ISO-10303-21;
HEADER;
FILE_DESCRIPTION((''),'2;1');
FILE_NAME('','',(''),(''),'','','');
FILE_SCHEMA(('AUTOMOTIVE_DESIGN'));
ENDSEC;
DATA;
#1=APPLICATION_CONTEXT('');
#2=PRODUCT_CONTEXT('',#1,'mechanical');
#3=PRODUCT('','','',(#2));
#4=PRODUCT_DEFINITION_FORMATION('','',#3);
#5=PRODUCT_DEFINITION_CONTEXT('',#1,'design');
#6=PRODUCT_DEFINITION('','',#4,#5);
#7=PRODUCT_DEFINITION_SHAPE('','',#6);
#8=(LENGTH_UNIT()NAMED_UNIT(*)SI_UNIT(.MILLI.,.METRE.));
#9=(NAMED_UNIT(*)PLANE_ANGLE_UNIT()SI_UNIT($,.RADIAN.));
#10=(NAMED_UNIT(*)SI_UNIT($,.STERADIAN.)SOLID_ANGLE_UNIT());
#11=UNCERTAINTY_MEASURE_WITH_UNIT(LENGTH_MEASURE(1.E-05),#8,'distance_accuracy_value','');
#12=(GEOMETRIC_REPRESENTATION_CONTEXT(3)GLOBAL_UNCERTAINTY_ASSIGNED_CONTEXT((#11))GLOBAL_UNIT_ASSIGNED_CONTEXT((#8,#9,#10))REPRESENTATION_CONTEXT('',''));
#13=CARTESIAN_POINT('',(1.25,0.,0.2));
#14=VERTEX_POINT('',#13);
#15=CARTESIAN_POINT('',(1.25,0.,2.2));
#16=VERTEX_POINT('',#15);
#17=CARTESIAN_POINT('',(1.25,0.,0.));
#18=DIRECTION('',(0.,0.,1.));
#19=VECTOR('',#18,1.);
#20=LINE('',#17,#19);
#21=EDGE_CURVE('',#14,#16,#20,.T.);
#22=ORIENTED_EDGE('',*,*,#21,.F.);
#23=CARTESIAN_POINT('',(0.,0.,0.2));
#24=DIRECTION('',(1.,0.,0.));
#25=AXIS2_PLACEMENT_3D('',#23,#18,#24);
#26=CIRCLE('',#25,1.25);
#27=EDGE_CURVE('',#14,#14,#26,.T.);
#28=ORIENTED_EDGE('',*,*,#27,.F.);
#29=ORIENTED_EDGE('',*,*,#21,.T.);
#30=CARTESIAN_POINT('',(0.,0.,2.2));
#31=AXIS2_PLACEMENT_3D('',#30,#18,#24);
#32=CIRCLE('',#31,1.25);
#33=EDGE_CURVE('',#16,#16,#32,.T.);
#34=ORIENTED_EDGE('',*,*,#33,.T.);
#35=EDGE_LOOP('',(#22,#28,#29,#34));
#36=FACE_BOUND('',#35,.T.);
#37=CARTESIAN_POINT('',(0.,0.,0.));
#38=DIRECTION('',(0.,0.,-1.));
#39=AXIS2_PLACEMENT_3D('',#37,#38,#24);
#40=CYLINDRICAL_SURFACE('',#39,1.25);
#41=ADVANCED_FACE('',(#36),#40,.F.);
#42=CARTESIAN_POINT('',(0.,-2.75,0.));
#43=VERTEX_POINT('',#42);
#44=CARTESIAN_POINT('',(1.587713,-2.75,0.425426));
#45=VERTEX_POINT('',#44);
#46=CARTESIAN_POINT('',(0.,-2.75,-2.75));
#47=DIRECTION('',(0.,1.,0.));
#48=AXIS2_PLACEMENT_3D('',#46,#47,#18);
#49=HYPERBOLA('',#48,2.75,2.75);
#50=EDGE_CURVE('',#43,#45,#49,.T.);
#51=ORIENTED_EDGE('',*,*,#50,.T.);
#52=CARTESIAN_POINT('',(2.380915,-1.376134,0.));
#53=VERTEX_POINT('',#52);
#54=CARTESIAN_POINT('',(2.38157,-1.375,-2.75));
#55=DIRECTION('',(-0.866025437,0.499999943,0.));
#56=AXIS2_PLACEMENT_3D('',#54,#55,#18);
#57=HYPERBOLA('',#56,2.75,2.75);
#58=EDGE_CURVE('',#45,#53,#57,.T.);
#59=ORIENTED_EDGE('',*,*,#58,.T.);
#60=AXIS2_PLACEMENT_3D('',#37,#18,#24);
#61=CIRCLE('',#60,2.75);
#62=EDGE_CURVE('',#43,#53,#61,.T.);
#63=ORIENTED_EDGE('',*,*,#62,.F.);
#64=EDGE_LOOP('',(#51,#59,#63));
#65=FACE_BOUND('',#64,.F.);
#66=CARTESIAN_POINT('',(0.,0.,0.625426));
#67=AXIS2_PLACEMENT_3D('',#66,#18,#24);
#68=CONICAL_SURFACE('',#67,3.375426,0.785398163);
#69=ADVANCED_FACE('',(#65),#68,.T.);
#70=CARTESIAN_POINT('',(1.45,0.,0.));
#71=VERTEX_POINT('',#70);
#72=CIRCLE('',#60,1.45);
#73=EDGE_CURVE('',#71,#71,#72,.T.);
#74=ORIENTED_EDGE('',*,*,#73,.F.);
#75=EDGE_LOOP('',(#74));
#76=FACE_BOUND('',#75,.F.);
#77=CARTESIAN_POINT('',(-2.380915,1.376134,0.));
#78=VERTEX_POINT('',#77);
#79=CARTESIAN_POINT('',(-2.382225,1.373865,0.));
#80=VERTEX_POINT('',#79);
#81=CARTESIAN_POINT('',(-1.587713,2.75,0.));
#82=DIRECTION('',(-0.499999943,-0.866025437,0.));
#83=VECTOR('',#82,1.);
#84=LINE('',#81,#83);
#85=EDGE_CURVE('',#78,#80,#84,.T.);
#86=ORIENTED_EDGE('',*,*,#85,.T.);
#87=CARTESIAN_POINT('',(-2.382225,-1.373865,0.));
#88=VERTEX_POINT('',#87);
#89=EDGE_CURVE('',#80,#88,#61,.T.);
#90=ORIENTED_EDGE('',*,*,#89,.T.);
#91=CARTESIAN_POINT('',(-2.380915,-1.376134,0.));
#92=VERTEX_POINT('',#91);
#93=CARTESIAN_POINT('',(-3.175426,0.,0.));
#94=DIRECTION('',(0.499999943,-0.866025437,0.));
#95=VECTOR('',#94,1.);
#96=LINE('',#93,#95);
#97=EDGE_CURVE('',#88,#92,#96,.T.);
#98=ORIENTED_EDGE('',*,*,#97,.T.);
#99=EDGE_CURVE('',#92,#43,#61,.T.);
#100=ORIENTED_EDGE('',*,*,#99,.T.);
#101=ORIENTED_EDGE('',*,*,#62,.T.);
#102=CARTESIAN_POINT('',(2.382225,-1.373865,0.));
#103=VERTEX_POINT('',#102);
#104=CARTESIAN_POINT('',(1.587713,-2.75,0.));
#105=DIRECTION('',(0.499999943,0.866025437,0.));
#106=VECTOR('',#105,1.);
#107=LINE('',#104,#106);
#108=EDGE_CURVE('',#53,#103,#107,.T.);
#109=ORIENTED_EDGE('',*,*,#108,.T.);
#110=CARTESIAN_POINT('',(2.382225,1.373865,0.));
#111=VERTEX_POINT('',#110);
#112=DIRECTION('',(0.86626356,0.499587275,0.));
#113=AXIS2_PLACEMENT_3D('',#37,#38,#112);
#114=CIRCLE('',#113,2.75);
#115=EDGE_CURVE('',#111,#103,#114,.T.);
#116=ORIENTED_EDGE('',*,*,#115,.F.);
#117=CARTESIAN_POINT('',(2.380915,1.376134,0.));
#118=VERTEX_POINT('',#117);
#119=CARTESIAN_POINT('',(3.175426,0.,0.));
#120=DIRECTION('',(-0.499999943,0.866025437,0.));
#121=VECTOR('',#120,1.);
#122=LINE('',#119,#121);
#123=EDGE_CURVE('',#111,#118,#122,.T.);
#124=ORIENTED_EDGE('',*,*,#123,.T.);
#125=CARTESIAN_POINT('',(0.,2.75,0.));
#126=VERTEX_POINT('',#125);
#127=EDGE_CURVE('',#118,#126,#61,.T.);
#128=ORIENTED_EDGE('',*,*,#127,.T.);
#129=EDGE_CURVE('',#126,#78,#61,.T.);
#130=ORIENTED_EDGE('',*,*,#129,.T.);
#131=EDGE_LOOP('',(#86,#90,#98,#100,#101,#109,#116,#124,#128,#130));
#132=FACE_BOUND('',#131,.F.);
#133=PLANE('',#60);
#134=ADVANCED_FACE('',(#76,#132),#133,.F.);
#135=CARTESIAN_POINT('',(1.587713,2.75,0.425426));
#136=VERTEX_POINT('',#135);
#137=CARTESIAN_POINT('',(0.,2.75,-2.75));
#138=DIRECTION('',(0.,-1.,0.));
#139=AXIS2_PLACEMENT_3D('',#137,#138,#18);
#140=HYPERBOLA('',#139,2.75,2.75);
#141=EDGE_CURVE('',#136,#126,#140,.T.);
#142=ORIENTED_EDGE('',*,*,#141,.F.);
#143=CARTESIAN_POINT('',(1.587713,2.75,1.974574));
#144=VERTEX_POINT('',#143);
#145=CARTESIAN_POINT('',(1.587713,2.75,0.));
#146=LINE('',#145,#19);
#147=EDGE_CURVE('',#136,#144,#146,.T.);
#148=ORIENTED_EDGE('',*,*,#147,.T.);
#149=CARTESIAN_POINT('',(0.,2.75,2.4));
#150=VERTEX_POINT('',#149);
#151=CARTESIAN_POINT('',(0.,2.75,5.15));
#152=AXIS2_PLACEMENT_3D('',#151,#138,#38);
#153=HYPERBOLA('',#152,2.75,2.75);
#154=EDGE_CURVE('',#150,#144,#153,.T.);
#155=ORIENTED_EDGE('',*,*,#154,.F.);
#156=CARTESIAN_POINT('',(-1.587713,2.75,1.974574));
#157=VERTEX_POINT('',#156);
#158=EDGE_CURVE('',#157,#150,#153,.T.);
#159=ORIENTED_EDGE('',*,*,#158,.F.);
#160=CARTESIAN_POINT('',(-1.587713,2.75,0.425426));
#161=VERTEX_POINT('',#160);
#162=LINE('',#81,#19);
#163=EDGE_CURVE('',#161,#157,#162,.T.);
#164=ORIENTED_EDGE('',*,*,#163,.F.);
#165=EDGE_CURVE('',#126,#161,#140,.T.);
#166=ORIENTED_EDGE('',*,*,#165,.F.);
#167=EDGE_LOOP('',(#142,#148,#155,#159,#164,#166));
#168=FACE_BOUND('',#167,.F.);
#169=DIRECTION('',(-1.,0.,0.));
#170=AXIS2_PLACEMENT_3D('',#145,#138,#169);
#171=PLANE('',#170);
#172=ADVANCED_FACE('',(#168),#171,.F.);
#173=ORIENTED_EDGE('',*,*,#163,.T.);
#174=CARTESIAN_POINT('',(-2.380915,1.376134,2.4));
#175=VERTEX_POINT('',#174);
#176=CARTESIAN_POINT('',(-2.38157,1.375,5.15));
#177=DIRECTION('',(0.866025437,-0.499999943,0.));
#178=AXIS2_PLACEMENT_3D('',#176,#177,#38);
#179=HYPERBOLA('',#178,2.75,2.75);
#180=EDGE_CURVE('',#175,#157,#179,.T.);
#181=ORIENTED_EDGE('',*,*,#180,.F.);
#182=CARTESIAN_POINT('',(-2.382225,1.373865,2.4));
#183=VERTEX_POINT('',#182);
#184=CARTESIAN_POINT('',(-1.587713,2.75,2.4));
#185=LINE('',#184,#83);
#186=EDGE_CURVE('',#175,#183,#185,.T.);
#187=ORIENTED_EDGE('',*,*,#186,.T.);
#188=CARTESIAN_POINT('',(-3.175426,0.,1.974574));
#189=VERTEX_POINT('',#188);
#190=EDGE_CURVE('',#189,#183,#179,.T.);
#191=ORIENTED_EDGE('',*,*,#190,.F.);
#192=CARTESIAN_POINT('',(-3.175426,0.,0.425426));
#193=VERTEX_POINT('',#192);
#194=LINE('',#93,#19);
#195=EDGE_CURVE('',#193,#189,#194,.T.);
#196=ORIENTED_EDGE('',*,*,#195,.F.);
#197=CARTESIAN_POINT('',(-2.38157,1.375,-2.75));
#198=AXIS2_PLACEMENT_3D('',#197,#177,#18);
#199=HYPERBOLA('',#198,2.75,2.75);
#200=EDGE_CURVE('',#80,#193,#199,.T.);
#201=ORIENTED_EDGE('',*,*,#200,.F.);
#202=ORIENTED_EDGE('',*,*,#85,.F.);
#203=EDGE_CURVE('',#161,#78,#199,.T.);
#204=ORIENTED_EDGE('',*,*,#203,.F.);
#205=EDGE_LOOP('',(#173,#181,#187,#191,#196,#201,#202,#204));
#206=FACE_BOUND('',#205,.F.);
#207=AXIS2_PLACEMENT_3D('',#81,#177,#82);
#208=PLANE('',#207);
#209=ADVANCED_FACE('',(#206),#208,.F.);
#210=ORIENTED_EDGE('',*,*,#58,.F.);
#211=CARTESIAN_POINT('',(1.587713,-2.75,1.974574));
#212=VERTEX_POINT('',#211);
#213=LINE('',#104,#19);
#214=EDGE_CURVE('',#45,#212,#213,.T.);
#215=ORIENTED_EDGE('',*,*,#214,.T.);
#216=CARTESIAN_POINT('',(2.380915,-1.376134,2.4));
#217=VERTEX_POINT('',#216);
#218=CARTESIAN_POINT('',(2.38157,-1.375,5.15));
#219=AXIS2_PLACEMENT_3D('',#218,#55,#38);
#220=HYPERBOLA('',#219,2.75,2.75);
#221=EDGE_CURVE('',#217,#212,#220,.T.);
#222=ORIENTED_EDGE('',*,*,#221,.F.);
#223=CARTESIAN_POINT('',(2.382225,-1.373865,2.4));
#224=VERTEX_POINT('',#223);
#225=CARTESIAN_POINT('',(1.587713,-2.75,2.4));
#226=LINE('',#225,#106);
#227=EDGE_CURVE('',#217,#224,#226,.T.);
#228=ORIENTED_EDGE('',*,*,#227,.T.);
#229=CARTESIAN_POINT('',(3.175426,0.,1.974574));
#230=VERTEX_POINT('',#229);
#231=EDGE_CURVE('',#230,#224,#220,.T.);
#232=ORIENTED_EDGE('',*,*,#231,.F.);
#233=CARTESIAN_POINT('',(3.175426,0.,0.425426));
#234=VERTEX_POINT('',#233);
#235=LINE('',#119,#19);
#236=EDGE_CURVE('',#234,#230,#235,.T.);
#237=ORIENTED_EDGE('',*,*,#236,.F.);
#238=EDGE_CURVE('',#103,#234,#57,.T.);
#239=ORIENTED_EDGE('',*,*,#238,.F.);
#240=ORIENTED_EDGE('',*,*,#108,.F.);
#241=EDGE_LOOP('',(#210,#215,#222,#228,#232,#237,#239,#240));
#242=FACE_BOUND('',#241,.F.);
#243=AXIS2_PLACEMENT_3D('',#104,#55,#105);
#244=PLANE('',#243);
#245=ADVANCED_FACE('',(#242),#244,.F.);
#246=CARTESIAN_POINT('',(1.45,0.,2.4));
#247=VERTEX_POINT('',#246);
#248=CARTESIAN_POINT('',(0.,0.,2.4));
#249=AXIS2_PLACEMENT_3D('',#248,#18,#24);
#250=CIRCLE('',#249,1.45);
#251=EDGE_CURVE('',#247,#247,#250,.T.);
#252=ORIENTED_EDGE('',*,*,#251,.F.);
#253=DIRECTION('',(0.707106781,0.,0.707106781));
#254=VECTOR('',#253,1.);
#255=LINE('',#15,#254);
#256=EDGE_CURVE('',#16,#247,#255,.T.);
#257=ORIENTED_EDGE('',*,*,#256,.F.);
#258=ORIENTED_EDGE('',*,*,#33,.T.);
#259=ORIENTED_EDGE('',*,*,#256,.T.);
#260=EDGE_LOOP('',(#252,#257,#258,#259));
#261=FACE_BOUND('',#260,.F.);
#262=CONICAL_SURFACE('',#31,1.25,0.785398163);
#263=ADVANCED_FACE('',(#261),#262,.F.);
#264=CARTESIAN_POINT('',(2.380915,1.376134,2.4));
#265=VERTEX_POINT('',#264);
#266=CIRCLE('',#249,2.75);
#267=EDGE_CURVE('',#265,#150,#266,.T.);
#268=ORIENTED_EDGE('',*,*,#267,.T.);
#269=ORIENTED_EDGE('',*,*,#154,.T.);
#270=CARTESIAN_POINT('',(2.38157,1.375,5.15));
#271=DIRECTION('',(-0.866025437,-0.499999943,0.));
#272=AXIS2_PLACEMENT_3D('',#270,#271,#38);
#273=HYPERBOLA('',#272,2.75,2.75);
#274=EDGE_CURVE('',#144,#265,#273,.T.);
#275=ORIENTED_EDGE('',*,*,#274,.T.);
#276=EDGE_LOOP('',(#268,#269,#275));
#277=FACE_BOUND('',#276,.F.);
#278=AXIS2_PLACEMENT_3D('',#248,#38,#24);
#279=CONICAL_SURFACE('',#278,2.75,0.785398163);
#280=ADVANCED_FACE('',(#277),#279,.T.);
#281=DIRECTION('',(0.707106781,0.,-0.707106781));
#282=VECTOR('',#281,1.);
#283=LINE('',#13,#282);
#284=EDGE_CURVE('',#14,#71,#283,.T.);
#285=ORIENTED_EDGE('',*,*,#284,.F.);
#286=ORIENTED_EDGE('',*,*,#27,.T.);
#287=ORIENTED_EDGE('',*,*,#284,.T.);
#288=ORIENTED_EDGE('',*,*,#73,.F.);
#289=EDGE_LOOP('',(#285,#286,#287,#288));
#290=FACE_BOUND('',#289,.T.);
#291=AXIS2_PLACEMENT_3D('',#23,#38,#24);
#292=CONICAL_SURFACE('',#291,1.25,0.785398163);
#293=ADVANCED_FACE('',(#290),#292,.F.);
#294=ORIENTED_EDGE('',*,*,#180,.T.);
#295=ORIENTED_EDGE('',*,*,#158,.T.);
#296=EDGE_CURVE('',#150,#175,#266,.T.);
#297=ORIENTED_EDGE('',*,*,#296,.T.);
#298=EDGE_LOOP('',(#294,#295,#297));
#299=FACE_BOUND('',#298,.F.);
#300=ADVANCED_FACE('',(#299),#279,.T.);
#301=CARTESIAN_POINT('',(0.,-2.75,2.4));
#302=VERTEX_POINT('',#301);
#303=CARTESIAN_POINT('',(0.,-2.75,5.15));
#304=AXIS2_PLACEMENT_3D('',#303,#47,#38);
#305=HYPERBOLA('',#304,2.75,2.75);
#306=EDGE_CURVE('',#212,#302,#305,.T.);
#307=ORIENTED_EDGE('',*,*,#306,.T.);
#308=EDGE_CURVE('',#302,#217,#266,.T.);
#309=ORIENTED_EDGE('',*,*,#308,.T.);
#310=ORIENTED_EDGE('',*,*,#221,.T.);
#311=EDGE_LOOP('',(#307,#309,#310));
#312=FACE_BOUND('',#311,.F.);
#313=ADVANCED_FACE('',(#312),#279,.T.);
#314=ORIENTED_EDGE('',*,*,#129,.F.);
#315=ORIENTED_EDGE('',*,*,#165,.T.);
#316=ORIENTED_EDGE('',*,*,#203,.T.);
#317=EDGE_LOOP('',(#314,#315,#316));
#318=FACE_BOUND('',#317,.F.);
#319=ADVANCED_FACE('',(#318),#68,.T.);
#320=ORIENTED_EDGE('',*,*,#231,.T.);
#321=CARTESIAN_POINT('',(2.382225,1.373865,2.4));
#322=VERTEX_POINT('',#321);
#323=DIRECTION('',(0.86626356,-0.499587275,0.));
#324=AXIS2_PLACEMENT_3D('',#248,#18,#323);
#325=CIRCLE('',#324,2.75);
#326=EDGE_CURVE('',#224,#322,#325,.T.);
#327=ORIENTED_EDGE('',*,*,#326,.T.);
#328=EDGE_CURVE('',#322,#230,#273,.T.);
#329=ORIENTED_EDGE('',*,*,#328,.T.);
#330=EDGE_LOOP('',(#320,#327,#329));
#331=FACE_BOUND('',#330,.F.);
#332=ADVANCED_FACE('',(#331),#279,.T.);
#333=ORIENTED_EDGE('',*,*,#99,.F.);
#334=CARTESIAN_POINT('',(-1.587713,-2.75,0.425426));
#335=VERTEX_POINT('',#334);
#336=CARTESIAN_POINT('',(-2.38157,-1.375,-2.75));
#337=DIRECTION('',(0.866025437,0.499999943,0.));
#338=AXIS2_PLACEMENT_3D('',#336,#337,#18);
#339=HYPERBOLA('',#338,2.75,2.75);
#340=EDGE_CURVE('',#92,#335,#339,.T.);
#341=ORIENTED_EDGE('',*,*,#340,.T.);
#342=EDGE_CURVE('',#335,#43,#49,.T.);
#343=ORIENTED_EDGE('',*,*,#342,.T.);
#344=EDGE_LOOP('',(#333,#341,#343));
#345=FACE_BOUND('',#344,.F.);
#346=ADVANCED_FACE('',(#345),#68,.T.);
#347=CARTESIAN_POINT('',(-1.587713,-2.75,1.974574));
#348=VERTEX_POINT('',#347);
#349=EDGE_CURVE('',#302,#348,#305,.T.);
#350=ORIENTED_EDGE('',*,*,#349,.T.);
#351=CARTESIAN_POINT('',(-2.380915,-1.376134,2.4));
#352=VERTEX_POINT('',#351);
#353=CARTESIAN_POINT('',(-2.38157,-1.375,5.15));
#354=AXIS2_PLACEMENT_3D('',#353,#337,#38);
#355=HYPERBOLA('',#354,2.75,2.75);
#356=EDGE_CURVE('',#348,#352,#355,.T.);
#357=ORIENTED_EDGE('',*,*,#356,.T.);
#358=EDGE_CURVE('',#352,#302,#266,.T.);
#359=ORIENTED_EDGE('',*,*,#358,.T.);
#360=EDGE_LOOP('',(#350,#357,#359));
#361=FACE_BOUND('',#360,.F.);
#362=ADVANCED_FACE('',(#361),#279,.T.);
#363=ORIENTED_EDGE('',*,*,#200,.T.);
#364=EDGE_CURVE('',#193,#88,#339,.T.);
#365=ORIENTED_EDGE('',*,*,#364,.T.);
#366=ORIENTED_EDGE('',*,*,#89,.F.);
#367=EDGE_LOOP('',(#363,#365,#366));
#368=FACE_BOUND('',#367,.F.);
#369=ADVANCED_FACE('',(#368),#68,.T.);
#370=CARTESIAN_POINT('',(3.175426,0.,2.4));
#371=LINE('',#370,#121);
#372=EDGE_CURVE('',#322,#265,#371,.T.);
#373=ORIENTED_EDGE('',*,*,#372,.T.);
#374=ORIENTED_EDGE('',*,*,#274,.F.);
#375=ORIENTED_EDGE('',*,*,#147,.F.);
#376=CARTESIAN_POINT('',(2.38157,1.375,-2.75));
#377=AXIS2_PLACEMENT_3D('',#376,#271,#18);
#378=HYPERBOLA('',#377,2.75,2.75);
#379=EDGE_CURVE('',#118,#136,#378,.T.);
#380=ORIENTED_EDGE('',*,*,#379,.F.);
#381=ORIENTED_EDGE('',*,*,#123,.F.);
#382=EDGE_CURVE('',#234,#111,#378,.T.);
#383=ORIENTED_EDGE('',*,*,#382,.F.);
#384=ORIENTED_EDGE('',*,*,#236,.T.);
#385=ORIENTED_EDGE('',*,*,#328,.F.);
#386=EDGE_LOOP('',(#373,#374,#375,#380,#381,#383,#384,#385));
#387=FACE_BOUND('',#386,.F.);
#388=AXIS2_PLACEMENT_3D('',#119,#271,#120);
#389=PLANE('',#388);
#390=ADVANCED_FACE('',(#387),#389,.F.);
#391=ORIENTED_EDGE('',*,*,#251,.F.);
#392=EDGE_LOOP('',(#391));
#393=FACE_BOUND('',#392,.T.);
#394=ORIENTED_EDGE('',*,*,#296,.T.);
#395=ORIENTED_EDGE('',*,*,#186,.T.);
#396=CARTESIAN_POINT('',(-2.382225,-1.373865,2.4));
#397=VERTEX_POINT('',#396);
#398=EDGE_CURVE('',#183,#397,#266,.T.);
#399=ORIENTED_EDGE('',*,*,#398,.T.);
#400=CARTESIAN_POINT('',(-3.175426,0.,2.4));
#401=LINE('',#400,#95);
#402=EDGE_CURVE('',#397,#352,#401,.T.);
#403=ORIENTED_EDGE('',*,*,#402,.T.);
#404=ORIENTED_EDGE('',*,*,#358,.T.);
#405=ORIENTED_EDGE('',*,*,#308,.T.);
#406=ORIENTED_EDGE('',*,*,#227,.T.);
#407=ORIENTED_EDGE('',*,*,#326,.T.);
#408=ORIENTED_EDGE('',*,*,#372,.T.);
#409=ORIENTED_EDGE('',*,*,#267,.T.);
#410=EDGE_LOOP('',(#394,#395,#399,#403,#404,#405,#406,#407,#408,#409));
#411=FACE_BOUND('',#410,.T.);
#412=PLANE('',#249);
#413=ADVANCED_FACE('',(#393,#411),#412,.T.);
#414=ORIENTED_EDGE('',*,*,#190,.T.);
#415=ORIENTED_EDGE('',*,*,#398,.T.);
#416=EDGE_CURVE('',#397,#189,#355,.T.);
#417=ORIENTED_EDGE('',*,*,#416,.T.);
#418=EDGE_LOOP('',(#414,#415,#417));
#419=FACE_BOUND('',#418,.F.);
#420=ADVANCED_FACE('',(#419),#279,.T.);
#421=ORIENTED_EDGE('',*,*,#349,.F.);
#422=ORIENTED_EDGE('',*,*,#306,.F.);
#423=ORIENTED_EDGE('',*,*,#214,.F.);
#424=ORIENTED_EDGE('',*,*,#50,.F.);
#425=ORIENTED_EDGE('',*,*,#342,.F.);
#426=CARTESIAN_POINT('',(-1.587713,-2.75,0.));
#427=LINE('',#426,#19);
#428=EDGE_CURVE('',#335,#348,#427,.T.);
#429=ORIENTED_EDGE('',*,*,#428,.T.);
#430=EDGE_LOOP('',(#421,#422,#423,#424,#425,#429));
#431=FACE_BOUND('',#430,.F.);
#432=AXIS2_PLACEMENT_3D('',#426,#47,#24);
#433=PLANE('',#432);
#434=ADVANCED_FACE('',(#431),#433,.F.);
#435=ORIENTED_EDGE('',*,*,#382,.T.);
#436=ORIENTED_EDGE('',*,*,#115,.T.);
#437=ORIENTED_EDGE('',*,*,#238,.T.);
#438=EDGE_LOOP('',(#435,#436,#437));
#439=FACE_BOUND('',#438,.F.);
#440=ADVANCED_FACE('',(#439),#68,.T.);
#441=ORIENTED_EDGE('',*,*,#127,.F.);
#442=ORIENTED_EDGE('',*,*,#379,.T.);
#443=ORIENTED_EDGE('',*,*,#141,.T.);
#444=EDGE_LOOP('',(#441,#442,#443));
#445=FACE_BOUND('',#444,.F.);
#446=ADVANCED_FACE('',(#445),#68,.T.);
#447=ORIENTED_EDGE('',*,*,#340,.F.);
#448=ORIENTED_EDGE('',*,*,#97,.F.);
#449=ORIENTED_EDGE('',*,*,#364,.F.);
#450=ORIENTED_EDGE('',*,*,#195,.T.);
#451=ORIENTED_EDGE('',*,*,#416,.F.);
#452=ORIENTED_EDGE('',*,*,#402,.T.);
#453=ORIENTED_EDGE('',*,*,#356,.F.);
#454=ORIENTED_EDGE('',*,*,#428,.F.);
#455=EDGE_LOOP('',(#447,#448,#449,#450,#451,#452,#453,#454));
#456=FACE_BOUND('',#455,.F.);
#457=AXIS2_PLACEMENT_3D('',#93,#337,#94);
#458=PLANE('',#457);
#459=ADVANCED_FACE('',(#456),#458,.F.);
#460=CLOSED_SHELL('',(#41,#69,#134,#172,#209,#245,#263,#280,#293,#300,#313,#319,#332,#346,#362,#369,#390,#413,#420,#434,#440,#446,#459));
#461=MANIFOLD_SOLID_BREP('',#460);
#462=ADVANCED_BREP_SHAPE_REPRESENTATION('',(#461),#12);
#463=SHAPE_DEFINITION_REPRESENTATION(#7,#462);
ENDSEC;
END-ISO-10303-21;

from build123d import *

# Parameters (mm, degrees)
F0_R     = 1.25
F1_DEPTH = 2.4
F2_SIZE  = 0.2


with BuildPart() as f1:
    # F0 (on Top) → F1 (new body)
    with BuildSketch(Plane.XY):
        Polygon((1.587713, 2.75), (-1.587713, 2.75), (-3.175426, 0), (-1.587713, -2.75), (1.587713, -2.75), (3.175426, 0), align=None)
        Circle(F0_R, mode=Mode.SUBTRACT)
    extrude(amount=F1_DEPTH)

    # F2
    f2_edges = [f1.edges().sort_by_distance(p)[0] for p in [
        (-1.25, 0, 2.4),
        (-1.25, 0, 0),
    ]]
    chamfer(f2_edges, length=F2_SIZE)

    # F3 (on Front) → F4 (revolve, cut)
    with BuildSketch(Plane.XZ):
        Polygon((3.375426, 0.625426), (2.75, 0), (3.738599, 0), (3.738599, 2.737111), (2.75, 2.737111), (2.75, 2.4), (3.375426, 1.774574), align=None)
    revolve(axis=Axis((0, 0, 1.849946), (0, 0, 1)), mode=Mode.SUBTRACT)


solid = f1.part
